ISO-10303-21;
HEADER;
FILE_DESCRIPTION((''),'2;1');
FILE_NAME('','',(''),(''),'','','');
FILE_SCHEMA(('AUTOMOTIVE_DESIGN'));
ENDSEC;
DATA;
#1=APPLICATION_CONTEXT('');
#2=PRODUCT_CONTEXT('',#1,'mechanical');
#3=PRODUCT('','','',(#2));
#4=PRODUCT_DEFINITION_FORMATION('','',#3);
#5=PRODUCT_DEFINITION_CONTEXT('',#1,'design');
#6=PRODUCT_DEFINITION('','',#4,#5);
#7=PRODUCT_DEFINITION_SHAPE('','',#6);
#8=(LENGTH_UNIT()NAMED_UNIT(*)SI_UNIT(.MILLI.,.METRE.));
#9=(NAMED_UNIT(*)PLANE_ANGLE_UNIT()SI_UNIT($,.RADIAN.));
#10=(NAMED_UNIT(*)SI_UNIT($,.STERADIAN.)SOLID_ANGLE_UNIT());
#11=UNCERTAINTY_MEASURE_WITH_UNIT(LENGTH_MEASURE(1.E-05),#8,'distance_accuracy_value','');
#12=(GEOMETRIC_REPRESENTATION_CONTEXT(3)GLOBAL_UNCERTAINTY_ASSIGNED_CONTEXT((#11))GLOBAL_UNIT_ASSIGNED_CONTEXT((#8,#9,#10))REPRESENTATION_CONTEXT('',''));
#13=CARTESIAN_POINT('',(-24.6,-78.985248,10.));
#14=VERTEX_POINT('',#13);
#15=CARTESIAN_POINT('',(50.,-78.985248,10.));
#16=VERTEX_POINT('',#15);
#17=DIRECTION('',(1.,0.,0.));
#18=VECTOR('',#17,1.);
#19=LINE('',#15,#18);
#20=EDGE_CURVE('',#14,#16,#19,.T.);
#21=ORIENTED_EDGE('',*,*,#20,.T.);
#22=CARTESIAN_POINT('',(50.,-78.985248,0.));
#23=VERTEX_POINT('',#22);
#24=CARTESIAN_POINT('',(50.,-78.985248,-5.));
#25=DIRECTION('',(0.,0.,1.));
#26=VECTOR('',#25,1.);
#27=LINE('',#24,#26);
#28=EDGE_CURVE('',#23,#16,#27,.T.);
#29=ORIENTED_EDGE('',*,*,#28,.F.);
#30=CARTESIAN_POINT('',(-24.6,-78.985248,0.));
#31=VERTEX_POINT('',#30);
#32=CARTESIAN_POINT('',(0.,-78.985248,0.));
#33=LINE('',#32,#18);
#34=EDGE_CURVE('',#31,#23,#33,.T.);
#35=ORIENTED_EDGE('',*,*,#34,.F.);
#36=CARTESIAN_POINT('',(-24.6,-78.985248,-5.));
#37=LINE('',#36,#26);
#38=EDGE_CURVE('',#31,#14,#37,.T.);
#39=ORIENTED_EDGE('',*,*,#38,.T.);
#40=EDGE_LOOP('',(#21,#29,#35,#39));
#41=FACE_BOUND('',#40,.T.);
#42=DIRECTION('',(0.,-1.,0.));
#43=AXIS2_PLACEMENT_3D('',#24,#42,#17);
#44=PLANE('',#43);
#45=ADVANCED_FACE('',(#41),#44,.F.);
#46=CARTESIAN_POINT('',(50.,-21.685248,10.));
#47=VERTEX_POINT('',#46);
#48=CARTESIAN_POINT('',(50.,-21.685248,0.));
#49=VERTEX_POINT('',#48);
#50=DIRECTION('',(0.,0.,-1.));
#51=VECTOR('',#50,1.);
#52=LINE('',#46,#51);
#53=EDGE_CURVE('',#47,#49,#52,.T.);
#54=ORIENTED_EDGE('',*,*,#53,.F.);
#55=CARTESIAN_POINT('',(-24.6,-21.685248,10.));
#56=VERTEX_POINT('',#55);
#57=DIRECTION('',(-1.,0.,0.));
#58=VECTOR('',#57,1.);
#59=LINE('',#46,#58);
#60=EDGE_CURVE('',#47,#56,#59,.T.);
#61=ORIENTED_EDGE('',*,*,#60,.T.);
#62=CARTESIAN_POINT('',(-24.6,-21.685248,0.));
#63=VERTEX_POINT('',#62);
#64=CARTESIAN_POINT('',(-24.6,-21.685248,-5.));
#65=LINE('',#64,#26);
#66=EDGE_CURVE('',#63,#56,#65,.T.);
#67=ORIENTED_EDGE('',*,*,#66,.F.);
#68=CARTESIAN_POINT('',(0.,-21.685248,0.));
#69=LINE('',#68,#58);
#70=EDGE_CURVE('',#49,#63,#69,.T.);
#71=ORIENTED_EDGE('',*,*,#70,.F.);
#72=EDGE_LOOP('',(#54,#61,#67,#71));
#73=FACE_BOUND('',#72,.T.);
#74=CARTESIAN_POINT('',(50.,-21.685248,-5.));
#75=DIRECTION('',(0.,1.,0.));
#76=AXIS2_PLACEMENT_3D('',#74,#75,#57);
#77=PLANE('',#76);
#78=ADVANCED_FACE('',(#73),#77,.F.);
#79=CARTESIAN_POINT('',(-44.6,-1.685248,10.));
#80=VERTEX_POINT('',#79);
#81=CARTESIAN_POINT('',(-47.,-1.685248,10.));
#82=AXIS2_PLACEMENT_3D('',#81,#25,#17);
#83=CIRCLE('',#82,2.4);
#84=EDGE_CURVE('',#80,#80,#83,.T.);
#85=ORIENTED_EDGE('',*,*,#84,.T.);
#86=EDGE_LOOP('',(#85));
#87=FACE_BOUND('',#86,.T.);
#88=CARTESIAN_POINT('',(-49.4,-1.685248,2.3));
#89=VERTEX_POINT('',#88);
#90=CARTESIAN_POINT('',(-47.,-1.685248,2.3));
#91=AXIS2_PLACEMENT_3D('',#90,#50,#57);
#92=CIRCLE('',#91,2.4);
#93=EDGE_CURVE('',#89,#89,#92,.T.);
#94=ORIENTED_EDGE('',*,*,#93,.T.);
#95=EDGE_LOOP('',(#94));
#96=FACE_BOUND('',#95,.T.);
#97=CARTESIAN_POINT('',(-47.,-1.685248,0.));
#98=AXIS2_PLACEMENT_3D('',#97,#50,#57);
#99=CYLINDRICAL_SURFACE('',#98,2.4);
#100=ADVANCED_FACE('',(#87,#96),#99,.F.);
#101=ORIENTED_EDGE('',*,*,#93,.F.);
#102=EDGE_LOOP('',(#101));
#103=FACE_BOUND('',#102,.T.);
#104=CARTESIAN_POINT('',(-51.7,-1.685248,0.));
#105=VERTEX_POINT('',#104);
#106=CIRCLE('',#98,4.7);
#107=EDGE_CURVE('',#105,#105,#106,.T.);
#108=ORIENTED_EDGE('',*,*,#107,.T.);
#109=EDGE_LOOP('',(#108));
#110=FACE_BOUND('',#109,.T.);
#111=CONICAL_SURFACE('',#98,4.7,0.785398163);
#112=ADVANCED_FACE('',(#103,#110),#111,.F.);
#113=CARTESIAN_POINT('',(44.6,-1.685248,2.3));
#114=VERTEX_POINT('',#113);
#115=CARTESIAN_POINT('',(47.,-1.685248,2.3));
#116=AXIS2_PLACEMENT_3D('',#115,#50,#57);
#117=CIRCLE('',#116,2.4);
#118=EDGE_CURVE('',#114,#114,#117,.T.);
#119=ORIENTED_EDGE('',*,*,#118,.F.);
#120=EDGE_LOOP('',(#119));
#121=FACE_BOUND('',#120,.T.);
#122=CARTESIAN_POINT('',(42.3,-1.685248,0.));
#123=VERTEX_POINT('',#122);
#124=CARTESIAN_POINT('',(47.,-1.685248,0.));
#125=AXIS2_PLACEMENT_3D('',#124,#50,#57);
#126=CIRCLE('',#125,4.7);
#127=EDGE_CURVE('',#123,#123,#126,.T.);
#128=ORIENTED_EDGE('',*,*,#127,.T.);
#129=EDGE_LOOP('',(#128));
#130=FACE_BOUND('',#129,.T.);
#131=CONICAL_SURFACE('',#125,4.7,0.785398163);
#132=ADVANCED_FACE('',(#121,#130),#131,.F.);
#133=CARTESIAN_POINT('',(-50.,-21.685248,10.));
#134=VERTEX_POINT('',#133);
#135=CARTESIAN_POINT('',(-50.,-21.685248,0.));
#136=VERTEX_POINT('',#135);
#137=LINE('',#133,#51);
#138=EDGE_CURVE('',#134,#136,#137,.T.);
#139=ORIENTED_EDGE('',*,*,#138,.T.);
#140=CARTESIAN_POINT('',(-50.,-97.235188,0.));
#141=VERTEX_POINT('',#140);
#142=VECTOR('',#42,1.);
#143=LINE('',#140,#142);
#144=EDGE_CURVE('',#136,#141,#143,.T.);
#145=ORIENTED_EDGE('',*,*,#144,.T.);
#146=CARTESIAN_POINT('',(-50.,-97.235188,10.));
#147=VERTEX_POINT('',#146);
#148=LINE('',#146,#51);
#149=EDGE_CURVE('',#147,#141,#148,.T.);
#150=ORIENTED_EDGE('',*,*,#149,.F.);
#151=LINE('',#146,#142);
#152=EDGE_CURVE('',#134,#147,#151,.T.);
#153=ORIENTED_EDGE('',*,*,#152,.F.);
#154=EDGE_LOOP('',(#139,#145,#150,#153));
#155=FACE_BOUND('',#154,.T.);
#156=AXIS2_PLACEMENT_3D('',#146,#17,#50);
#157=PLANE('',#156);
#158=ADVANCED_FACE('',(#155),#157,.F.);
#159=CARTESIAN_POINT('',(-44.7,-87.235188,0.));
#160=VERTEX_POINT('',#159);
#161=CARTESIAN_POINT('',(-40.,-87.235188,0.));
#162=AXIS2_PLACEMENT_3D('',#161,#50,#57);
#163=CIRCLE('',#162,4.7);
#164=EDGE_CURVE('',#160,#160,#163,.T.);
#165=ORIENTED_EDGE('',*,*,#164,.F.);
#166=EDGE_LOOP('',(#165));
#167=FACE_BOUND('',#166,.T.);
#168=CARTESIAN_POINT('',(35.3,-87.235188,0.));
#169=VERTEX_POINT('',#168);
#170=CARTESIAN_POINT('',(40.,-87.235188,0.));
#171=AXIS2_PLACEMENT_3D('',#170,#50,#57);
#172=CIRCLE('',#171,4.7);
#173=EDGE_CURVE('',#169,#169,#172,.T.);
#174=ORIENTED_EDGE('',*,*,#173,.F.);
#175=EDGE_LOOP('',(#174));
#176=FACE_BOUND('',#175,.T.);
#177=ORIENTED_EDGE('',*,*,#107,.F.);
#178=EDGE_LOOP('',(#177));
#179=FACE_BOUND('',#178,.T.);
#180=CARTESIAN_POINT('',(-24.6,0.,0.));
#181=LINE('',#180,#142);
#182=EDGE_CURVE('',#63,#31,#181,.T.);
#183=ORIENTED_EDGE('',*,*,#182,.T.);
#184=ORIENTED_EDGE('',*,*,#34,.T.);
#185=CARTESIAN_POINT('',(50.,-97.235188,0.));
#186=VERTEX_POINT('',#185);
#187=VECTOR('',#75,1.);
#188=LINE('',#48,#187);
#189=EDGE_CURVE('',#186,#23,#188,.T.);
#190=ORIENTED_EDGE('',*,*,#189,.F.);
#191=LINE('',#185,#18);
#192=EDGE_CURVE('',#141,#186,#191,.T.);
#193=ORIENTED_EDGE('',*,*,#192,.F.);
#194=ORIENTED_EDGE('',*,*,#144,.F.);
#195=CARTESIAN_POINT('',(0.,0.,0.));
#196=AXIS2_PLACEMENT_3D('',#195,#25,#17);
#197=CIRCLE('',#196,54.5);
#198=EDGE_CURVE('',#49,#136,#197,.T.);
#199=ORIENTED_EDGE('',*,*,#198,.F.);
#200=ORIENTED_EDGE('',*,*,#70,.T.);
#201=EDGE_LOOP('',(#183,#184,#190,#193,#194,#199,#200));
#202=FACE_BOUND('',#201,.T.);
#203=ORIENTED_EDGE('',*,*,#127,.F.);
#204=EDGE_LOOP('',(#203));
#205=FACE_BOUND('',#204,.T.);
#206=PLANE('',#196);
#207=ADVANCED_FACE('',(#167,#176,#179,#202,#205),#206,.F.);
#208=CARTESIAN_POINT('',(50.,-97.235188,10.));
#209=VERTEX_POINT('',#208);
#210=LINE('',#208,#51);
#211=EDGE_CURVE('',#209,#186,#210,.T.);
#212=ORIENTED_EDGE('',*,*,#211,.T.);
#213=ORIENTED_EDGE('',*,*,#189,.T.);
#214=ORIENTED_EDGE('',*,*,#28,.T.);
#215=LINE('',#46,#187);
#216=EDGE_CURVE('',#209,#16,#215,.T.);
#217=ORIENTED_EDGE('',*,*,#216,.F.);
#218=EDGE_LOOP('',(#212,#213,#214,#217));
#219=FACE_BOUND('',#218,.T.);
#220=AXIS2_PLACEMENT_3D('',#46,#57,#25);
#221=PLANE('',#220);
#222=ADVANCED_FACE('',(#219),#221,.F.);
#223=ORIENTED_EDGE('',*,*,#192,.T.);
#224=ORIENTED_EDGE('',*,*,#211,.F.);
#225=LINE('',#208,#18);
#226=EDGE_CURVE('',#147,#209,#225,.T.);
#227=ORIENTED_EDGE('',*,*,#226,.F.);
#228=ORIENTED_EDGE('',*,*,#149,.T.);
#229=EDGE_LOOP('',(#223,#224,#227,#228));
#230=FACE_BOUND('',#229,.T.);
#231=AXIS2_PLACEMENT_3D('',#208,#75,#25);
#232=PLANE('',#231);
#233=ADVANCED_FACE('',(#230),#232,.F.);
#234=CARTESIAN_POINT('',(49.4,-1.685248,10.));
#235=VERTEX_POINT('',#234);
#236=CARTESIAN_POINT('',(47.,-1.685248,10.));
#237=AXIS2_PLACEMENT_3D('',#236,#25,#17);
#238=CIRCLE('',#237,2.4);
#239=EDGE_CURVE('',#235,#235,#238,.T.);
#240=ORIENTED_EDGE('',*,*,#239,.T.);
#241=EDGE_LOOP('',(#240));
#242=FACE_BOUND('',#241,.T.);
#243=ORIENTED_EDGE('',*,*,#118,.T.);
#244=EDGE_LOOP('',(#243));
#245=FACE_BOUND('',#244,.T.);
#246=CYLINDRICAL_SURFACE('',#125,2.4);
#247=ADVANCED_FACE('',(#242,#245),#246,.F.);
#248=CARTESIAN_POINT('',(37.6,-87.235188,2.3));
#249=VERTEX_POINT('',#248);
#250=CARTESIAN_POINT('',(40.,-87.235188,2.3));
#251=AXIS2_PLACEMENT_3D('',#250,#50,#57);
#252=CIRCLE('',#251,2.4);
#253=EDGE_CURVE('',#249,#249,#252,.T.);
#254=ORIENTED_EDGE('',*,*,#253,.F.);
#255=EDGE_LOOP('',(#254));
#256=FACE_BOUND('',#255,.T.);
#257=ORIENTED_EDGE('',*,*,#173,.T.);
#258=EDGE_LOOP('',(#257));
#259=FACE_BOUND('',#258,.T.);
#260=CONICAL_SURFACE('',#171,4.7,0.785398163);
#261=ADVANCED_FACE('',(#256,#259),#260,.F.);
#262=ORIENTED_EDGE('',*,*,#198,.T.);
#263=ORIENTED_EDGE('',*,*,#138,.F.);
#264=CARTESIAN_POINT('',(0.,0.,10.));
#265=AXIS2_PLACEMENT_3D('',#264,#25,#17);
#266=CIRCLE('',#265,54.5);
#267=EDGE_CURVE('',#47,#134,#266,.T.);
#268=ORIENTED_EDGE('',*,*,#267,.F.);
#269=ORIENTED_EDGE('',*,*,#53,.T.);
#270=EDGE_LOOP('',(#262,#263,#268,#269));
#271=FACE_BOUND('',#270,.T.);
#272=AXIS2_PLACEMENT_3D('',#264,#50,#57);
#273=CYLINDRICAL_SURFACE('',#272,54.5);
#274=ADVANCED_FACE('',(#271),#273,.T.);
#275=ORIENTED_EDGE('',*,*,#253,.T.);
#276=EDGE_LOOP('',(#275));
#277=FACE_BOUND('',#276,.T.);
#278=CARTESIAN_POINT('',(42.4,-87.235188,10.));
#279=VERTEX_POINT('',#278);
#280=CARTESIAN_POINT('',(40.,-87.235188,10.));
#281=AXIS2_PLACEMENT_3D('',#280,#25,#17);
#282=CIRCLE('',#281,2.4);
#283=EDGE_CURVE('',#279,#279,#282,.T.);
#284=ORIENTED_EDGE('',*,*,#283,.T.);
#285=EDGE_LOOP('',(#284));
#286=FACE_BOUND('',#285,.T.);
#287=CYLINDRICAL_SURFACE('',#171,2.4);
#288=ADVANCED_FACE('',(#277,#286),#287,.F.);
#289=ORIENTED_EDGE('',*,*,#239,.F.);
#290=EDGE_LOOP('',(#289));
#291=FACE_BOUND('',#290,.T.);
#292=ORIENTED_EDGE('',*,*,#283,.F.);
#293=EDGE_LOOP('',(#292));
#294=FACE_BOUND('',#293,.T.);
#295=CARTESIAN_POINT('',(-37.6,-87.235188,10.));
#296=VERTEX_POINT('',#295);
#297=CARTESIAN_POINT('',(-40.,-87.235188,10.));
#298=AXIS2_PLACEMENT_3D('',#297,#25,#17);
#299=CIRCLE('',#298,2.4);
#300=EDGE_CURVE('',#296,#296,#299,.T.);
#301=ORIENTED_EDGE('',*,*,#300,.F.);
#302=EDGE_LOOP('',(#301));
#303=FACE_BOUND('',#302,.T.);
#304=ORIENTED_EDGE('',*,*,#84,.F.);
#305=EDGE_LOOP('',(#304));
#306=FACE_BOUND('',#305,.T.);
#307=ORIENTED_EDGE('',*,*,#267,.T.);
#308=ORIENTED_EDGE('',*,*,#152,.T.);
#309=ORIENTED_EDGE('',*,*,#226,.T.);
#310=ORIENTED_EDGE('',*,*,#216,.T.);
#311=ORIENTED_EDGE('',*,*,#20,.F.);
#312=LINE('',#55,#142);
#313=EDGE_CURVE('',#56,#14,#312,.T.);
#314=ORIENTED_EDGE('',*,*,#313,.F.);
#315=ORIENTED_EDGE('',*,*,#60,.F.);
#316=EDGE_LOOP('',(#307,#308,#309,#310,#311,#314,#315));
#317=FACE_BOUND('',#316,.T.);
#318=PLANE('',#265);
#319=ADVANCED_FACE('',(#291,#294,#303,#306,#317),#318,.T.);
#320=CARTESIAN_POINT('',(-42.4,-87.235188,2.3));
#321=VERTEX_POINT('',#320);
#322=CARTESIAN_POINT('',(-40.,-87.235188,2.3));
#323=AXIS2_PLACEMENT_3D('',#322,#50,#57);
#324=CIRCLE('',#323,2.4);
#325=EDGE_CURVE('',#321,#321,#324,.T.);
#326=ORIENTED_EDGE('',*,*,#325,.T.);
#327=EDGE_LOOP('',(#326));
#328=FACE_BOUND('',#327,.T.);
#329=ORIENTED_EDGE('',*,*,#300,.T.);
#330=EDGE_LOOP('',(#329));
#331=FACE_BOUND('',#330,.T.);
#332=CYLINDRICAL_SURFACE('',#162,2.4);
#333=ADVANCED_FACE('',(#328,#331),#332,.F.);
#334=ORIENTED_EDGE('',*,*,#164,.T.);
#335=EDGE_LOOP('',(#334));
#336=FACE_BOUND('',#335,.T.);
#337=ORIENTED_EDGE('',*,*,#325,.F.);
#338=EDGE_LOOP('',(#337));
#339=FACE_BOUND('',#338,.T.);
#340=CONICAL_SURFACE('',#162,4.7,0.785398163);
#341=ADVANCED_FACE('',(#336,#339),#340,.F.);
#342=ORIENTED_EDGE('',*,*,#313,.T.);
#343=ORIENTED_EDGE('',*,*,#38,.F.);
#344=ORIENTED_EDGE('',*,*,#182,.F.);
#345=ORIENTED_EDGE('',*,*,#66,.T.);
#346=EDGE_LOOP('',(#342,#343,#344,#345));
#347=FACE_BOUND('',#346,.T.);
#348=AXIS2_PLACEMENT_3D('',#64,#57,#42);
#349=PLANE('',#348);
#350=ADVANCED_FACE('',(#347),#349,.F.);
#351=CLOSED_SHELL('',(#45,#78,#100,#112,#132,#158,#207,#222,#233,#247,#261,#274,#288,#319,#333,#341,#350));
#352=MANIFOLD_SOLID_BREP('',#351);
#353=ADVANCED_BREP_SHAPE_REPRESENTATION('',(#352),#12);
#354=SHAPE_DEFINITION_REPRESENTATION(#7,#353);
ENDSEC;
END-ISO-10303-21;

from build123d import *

# Parameters (mm, degrees)
BOSS_EXTRUDE1_DEPTH                             = 10
CSK_FOR_M4_FLAT_HEAD_MACHINE_SCREW1_D           = 4.8
CSK_FOR_M4_FLAT_HEAD_MACHINE_SCREW1_CSINK_D     = 9.4
CSK_FOR_M4_FLAT_HEAD_MACHINE_SCREW1_CSINK_ANGLE = 90
SKETCH6_W                                       = 74.6
SKETCH6_H                                       = 57.3
CUT_EXTRUDE1_DEPTH                              = 15


with BuildPart() as part:
    # Sketch1 → Boss-Extrude1 (new body)
    with BuildSketch(Plane(origin=(0, 0, 0), x_dir=(-1, 0, 0), z_dir=(0, 0, 1))):
        with BuildLine():
            Line((-50, 21.685248442), (-50, 97.235188276))
            Line((-50, 97.235188276), (50, 97.235188276))
            Line((50, 97.235188276), (50, 21.685248442))
            ThreePointArc((50, 21.685248442), (0, -54.5), (-50, 21.685248442))
        make_face()
    extrude(amount=BOSS_EXTRUDE1_DEPTH)

    # CSK for M4 Flat Head Machine Screw1 (through all)
    with Locations(Plane(origin=(47, -1.685248442, 0), x_dir=(-1, 0, 0), z_dir=(0, 0, -1))):
        with Locations((0, 0), (94, 0), (87, -85.549939834), (7, -85.549939834)):
            CounterSinkHole(CSK_FOR_M4_FLAT_HEAD_MACHINE_SCREW1_D / 2, CSK_FOR_M4_FLAT_HEAD_MACHINE_SCREW1_CSINK_D / 2, counter_sink_angle=CSK_FOR_M4_FLAT_HEAD_MACHINE_SCREW1_CSINK_ANGLE)

    # Sketch6 → Cut-Extrude1 (cut)
    with BuildSketch(Plane.XY.offset(10)):
        with Locations((12.7, -50.335248442)):
            Rectangle(SKETCH6_W, SKETCH6_H)
    extrude(amount=-CUT_EXTRUDE1_DEPTH, mode=Mode.SUBTRACT)


solid = part.part
